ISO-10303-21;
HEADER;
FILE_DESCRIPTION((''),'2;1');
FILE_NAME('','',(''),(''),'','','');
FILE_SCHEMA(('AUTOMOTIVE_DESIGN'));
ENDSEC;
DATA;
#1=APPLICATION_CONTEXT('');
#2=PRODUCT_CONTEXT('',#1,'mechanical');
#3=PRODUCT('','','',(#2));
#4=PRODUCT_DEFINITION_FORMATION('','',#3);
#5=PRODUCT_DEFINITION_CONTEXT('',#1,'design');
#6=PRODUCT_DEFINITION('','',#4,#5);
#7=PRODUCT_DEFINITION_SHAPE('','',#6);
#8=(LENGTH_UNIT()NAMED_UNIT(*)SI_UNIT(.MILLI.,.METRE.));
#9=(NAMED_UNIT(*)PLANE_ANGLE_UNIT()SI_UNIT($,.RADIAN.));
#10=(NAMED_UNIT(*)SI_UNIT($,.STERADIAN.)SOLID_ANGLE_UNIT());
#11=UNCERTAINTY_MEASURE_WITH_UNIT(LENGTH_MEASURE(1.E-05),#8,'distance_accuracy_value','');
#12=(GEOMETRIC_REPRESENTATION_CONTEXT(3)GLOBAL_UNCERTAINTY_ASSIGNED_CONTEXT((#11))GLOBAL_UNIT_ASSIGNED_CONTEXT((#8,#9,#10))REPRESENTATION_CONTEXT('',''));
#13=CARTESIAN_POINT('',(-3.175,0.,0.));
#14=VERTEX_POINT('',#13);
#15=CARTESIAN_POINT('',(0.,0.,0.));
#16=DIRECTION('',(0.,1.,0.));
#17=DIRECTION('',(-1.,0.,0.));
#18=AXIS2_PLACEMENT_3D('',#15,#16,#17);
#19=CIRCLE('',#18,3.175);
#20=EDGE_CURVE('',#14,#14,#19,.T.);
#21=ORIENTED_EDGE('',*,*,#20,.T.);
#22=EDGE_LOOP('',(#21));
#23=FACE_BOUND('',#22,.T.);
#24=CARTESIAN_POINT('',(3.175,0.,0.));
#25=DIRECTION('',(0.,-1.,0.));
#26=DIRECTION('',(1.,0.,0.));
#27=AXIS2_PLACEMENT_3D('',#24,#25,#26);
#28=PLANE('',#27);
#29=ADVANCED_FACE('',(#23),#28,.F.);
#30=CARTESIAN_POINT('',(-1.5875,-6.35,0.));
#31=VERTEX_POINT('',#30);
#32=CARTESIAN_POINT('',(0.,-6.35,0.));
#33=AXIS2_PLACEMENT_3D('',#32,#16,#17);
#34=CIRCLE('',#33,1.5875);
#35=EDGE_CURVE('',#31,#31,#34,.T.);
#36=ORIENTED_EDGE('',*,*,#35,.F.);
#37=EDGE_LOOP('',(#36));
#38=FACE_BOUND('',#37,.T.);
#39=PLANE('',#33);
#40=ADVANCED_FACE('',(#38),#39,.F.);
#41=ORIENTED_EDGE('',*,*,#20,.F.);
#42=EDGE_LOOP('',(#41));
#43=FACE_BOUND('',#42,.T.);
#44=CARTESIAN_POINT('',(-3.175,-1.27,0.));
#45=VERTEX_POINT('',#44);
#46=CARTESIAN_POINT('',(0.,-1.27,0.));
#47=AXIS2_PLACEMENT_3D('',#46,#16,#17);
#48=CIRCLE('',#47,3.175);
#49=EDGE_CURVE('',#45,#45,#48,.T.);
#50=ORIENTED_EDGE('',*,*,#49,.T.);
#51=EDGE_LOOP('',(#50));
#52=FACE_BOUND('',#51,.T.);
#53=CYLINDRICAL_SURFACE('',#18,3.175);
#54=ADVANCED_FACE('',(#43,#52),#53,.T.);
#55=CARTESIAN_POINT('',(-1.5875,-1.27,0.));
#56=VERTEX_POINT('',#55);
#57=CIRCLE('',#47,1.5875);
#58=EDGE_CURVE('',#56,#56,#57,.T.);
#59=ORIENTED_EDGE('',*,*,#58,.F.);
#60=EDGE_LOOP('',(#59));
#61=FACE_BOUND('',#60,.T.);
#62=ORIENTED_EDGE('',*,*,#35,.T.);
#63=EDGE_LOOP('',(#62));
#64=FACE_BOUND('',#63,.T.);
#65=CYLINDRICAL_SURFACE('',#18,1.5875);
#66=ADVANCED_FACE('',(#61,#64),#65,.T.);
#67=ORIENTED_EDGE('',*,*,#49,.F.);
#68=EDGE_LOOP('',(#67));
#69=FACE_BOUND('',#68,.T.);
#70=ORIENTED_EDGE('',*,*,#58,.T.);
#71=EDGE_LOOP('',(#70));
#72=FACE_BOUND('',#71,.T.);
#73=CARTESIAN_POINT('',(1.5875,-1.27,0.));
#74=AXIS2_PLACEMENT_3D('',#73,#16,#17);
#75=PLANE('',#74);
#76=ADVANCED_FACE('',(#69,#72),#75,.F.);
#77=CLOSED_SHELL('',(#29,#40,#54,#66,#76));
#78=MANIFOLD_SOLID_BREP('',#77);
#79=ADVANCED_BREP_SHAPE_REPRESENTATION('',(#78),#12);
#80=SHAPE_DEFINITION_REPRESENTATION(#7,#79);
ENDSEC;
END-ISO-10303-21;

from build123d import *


with BuildPart() as part:
    # Sketch1 → Revolve1 (revolve)
    with BuildSketch(Plane.XY, mode=Mode.PRIVATE) as revolve1_sk:
        Polygon((0, 0), (0, -6.35), (1.5875, -6.35), (1.5875, -1.27), (3.175, -1.27), (3.175, 0), align=None)
    revolve(revolve1_sk.sketch.rotate(Axis((0, 0, 0), (0, -1, 0)), 180), axis=Axis((0, 0, 0), (0, -1, 0)))


solid = part.part
